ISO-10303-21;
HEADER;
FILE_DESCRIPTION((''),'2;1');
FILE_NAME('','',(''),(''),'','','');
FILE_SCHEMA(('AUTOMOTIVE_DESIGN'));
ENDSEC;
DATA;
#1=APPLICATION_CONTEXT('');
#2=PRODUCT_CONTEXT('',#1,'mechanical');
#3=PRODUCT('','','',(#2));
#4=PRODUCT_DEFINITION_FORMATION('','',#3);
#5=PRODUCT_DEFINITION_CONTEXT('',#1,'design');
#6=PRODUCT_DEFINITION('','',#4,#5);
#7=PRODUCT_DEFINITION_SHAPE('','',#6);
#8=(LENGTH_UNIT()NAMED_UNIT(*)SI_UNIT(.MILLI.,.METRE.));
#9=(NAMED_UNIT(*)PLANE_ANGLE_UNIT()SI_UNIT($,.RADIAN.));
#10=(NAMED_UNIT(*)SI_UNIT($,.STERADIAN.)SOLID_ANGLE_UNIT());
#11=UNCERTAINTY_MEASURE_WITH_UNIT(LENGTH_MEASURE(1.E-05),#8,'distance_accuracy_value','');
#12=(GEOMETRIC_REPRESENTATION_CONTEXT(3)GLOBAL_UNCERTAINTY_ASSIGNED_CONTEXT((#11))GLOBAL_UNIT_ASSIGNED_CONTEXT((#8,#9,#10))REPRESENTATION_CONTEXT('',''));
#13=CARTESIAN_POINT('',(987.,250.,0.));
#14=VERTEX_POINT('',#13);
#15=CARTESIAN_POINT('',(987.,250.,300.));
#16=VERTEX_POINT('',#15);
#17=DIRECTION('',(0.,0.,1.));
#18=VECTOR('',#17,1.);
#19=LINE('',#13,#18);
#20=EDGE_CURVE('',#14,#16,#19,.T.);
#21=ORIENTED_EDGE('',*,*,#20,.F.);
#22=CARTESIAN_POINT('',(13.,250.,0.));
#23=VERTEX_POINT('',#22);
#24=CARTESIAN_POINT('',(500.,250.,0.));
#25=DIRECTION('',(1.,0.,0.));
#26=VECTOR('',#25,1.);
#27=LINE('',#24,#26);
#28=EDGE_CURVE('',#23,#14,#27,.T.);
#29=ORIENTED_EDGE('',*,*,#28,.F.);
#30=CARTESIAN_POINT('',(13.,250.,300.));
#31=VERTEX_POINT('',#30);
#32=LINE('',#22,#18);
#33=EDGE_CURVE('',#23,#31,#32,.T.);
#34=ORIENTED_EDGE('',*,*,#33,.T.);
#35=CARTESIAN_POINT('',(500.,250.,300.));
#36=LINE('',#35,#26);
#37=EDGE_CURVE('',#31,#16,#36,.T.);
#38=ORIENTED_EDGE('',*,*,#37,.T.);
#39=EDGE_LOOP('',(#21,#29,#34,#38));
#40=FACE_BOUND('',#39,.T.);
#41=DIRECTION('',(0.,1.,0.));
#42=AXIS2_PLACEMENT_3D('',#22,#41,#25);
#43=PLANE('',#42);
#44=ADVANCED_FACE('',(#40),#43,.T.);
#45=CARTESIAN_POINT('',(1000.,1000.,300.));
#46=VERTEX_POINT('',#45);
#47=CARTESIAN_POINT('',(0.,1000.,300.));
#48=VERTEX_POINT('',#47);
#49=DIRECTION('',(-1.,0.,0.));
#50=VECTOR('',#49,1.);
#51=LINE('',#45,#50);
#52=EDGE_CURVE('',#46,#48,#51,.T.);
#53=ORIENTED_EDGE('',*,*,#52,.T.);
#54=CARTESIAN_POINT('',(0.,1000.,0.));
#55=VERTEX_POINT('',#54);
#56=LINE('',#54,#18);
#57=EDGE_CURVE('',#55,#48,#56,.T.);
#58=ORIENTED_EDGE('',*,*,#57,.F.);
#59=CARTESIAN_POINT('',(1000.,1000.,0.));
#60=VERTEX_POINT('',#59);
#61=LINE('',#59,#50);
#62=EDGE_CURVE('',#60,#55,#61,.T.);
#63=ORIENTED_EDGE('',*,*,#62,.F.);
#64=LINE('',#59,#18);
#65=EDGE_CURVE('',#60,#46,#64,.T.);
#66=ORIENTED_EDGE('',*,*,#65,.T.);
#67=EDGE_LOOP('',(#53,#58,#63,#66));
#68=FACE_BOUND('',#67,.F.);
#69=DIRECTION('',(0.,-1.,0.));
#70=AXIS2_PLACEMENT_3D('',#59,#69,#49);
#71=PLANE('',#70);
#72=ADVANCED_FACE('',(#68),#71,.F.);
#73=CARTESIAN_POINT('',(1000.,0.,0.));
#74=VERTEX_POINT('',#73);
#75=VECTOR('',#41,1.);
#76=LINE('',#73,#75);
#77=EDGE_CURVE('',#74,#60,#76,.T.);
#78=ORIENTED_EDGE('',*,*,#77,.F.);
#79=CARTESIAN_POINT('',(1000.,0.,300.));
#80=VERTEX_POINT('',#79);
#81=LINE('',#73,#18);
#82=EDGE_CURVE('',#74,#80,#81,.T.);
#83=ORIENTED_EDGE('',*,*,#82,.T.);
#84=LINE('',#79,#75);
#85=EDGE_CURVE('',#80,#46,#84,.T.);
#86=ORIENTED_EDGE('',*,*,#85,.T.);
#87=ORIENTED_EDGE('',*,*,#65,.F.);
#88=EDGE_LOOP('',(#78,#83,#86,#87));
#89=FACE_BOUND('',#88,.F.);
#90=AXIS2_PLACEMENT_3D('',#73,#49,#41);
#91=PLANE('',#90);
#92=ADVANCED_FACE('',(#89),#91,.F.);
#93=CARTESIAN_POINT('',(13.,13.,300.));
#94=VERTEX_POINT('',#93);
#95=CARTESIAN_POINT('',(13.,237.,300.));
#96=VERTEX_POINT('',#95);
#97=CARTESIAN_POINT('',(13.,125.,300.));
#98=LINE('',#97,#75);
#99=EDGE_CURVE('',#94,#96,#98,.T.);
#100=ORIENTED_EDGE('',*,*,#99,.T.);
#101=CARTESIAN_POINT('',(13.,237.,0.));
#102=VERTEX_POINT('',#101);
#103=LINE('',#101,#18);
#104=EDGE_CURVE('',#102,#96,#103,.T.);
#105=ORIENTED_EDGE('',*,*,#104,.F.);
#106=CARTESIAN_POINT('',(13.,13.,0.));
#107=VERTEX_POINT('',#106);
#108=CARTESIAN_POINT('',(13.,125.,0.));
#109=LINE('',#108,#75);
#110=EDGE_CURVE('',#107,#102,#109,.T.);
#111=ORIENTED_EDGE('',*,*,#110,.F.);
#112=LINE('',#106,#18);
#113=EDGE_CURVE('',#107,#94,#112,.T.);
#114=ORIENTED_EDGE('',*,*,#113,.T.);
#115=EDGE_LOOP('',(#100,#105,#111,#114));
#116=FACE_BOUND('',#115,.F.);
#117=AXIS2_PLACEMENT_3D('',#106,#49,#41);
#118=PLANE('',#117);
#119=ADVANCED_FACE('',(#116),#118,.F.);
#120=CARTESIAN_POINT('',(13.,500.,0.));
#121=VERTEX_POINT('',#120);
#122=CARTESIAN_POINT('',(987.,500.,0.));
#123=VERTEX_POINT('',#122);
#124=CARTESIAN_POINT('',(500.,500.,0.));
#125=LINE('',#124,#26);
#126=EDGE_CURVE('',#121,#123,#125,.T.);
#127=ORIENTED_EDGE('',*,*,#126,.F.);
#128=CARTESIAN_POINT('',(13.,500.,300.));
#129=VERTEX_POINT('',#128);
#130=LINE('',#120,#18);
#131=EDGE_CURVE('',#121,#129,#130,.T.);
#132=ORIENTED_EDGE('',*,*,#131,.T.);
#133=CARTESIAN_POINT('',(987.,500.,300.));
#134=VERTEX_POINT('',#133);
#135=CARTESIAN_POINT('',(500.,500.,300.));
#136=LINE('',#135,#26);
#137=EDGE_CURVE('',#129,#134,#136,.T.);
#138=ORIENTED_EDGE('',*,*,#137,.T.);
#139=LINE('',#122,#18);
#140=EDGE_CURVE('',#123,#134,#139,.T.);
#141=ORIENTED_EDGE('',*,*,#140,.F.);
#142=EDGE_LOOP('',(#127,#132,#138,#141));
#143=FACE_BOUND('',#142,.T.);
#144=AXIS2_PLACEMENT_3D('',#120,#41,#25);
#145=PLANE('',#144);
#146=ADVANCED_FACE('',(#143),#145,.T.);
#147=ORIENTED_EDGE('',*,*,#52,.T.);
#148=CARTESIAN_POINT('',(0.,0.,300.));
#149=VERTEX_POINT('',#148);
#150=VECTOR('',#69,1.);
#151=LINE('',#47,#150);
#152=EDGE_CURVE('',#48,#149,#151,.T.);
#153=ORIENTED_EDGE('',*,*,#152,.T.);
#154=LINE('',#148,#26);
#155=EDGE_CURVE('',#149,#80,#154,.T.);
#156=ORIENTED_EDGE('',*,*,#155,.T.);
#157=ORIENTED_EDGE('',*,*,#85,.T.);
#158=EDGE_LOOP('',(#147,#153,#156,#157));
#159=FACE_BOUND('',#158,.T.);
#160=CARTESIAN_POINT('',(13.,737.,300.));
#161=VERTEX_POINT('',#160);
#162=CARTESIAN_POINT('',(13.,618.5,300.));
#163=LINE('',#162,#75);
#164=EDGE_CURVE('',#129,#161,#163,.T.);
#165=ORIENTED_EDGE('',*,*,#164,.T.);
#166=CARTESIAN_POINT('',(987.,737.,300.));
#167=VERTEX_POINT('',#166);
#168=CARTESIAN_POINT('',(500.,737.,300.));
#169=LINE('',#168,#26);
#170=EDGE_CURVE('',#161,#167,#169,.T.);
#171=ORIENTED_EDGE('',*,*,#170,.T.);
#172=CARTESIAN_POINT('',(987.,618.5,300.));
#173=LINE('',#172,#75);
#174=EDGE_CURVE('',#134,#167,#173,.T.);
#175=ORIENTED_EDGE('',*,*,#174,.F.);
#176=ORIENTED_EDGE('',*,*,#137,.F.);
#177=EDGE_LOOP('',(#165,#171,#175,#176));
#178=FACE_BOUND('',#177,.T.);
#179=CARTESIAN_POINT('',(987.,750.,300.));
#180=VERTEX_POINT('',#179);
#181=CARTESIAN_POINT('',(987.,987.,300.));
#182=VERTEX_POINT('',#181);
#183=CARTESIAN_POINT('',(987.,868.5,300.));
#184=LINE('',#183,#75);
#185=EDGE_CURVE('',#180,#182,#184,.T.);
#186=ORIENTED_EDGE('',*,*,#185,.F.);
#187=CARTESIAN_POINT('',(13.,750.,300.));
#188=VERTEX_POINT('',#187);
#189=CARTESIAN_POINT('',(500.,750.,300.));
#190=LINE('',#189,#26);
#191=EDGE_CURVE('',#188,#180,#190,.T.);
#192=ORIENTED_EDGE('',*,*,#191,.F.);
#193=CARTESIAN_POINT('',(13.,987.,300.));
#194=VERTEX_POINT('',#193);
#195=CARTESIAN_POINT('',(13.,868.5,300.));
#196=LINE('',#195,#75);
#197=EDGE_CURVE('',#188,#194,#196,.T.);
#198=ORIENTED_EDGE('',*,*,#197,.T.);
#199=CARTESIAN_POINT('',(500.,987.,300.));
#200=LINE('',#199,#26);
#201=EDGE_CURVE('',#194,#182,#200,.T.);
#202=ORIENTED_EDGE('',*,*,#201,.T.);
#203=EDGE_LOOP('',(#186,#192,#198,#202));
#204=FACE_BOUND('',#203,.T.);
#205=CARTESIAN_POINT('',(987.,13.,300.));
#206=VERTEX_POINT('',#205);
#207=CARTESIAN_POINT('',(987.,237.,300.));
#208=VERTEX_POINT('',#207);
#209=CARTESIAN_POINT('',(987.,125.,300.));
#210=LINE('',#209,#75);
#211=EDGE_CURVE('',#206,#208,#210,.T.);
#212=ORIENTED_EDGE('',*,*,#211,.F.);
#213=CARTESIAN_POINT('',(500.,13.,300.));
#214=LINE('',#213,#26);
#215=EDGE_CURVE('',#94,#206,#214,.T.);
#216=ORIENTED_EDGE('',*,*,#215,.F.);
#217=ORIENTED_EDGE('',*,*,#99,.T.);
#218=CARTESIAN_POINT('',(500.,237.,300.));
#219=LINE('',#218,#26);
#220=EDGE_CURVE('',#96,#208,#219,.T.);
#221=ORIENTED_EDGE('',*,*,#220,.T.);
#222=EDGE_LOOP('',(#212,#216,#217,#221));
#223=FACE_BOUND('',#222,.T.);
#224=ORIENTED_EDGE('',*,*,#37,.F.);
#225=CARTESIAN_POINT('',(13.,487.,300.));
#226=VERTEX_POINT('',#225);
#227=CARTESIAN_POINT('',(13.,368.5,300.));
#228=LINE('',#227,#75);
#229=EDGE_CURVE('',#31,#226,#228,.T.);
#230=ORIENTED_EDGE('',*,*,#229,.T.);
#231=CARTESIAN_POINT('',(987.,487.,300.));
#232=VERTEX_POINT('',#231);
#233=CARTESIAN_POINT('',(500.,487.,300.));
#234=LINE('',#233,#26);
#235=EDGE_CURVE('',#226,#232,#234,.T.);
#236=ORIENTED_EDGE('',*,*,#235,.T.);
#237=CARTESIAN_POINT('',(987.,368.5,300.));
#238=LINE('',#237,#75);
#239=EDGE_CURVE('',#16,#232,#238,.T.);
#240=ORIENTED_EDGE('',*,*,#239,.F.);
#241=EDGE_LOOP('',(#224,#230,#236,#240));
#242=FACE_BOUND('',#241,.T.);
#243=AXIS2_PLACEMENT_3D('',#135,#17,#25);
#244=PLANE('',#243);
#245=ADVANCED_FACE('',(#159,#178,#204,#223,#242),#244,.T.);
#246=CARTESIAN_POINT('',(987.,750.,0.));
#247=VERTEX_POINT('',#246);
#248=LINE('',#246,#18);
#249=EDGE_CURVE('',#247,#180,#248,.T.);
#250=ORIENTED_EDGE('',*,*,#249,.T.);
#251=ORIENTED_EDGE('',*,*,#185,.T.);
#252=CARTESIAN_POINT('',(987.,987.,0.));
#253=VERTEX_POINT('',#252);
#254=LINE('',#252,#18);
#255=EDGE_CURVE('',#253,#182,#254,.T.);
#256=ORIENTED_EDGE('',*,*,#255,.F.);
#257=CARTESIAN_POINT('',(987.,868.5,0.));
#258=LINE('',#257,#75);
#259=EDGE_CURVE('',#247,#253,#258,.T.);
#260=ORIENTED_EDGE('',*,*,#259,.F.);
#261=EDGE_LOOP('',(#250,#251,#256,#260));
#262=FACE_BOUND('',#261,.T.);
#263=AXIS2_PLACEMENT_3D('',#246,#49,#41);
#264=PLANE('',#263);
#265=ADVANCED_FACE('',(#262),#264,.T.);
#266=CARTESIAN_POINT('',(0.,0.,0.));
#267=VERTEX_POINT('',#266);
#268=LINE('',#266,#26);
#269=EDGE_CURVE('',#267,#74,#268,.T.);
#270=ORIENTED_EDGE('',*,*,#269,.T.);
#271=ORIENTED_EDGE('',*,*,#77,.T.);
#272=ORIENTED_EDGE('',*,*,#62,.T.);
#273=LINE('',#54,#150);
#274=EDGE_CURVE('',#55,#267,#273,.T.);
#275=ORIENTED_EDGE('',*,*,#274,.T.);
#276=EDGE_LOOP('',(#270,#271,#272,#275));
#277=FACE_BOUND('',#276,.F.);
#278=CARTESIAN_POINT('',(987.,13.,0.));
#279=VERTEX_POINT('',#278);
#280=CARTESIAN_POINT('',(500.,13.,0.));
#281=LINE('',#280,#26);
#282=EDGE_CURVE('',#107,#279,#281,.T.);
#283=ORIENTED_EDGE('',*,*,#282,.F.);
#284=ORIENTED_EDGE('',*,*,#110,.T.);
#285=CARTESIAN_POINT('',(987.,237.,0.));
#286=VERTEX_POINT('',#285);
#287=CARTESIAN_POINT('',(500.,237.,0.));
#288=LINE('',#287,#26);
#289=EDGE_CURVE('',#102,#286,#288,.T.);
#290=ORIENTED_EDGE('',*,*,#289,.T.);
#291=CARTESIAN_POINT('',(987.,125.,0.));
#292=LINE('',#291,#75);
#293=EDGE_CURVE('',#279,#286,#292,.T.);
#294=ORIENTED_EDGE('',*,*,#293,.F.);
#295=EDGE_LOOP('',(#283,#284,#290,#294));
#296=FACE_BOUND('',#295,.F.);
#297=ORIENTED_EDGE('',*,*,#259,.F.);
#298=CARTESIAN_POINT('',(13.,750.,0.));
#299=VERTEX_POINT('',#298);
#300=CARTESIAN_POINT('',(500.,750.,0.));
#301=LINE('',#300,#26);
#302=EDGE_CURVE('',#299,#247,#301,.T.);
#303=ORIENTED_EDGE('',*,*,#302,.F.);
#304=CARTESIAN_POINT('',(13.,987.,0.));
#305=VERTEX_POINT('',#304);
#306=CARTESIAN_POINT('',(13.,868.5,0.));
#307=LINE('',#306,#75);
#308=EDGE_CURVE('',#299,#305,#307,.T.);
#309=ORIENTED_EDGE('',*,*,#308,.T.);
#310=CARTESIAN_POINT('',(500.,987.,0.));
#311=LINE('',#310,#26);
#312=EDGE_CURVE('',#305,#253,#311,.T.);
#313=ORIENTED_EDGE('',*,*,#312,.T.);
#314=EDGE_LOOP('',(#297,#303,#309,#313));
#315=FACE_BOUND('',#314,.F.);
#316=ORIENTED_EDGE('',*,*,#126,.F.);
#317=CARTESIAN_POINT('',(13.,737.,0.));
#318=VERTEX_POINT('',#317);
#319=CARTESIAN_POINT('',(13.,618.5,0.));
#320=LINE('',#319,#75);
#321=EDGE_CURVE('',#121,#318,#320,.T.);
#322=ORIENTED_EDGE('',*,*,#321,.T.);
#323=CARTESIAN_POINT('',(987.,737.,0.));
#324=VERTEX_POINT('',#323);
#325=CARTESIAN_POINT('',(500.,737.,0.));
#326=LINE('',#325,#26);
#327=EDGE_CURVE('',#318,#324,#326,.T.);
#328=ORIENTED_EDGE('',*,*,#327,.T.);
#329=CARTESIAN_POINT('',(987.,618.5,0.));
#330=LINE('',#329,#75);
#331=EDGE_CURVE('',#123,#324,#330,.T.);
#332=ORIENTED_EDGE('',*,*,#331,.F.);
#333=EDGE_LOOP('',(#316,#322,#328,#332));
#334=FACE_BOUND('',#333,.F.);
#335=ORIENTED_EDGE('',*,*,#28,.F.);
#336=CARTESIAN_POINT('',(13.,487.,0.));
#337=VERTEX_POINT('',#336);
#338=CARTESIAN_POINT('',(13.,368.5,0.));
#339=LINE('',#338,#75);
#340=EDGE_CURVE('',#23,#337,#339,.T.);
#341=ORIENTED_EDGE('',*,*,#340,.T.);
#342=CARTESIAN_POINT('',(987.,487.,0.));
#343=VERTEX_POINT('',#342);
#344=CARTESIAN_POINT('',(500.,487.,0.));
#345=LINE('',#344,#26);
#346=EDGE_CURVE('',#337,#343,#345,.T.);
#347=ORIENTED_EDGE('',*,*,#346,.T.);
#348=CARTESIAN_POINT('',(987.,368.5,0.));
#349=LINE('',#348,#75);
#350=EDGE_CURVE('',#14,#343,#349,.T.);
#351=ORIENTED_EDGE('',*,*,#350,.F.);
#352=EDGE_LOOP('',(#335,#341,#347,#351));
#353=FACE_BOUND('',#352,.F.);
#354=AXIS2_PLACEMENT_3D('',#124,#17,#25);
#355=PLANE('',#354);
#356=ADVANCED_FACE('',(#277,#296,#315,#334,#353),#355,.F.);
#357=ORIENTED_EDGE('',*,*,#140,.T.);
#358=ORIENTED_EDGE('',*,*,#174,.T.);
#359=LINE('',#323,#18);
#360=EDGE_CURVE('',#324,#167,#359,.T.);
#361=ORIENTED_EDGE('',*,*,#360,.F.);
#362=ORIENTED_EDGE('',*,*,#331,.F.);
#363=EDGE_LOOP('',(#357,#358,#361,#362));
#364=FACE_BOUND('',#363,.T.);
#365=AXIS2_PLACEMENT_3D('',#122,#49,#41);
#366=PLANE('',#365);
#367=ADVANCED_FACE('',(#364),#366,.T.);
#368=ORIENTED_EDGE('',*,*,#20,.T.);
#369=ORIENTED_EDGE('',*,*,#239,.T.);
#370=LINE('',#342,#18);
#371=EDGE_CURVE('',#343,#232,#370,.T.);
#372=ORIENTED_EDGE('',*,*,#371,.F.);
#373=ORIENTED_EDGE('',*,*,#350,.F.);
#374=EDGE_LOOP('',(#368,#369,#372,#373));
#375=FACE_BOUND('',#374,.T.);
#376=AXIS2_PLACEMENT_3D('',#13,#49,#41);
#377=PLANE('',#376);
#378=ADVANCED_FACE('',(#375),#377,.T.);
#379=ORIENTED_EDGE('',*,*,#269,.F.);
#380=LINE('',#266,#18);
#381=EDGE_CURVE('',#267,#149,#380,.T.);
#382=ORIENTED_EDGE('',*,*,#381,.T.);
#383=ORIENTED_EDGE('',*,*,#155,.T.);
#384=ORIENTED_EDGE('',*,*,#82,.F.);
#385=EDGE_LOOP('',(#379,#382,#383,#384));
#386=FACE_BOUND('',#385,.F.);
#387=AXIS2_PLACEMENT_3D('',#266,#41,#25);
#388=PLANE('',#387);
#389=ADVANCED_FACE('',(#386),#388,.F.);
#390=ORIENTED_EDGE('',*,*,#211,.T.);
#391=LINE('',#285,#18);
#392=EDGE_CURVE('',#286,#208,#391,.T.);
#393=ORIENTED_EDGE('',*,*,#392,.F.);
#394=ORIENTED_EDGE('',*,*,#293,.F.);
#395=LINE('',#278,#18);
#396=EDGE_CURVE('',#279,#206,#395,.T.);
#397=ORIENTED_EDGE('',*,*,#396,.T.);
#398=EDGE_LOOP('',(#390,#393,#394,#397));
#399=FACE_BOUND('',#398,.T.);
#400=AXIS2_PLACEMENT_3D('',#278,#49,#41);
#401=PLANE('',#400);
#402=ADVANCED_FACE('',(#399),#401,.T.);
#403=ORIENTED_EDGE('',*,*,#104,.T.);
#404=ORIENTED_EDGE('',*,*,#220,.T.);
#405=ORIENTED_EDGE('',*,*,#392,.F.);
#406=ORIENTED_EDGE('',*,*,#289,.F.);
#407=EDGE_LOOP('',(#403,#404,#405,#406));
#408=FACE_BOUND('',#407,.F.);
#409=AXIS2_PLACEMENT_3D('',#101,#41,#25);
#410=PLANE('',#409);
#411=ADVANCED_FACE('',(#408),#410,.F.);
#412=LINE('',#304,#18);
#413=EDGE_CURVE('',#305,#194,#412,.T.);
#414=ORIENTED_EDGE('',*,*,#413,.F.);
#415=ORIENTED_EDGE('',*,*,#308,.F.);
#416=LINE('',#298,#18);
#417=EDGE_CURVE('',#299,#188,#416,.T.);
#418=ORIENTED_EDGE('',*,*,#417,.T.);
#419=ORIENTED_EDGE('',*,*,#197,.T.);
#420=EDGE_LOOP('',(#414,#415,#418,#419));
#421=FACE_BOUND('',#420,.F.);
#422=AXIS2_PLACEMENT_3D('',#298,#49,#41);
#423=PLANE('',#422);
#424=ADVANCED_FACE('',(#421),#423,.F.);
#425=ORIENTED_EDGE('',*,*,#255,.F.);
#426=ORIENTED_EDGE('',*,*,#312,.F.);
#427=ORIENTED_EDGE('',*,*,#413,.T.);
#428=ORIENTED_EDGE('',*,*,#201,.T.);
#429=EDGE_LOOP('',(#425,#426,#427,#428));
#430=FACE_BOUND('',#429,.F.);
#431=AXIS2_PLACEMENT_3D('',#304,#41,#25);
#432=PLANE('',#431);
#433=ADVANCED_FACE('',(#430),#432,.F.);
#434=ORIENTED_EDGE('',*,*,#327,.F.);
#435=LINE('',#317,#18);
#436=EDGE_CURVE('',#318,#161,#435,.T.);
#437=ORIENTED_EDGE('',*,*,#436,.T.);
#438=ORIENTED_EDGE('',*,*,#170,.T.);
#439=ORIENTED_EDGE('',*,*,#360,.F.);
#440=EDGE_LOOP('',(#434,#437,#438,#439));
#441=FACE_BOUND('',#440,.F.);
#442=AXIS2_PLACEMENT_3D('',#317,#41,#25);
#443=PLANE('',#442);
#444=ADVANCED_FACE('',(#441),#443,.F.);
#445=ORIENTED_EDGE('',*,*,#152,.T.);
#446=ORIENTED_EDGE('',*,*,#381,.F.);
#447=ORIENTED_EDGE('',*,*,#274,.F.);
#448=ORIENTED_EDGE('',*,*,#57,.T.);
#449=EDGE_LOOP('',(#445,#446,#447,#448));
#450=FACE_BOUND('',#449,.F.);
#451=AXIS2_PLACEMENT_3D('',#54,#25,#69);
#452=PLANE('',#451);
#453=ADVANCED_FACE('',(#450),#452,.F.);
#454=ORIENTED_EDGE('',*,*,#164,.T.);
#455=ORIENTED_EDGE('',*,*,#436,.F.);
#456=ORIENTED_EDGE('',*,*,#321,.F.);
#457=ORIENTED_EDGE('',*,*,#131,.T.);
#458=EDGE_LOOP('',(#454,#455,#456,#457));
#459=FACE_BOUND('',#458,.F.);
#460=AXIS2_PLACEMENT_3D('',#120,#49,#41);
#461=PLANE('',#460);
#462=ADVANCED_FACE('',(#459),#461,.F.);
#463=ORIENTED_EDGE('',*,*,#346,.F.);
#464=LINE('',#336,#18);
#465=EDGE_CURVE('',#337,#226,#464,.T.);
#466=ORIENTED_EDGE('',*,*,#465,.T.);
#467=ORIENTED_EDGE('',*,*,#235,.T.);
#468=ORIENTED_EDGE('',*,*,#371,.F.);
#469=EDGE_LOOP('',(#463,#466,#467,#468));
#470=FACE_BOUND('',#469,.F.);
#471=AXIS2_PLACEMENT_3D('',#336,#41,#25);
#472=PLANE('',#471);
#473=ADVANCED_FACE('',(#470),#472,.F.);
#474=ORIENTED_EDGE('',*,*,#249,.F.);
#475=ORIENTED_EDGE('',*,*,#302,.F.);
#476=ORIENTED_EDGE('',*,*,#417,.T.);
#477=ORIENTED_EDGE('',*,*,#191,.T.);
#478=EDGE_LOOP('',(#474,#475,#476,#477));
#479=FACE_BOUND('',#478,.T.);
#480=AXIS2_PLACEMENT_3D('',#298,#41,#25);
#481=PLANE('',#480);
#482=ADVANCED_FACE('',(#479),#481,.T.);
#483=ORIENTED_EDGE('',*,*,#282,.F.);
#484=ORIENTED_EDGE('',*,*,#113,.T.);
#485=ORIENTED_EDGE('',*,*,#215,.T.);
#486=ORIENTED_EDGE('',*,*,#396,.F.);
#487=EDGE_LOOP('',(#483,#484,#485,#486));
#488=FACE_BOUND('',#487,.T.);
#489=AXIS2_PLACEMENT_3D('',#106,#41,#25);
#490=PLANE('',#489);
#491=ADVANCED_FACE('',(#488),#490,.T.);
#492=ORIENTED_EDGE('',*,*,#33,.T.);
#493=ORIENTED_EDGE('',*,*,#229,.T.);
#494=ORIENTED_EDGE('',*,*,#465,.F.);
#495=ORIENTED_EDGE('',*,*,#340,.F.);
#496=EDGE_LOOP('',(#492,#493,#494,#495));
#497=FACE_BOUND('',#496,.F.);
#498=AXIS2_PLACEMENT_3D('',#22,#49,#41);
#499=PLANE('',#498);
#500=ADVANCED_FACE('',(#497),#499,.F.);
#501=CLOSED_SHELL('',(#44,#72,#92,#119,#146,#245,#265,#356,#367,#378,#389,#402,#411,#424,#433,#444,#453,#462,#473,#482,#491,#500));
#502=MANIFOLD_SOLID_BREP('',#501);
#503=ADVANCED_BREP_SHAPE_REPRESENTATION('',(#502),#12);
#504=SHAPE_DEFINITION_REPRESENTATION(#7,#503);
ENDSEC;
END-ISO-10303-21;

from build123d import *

# Parameters (mm, degrees)
F0_W     = 974
F0_H     = 224
F0_H_2   = 237
F1_DEPTH = 300


with BuildPart() as f1:
    # F0 (on Top) → F1 (new body)
    with BuildSketch(Plane.XY):
        Polygon((0, 13), (0, 0), (1000, 0), (1000, 13), (1000, 237), (1000, 250), (1000, 500), (1000, 750), (1000, 1000), (0, 1000), (0, 750), (0, 500), (0, 250), (0, 237), align=None)
        with Locations((500, 125)):
            Rectangle(F0_W, F0_H, mode=Mode.SUBTRACT)
        with Locations((500, 368.5)):
            Rectangle(F0_W, F0_H_2, mode=Mode.SUBTRACT)
        with Locations((500, 618.5)):
            Rectangle(F0_W, F0_H_2, mode=Mode.SUBTRACT)
        with Locations((500, 868.5)):
            Rectangle(F0_W, F0_H_2, mode=Mode.SUBTRACT)
    extrude(amount=F1_DEPTH)


solid = f1.part
